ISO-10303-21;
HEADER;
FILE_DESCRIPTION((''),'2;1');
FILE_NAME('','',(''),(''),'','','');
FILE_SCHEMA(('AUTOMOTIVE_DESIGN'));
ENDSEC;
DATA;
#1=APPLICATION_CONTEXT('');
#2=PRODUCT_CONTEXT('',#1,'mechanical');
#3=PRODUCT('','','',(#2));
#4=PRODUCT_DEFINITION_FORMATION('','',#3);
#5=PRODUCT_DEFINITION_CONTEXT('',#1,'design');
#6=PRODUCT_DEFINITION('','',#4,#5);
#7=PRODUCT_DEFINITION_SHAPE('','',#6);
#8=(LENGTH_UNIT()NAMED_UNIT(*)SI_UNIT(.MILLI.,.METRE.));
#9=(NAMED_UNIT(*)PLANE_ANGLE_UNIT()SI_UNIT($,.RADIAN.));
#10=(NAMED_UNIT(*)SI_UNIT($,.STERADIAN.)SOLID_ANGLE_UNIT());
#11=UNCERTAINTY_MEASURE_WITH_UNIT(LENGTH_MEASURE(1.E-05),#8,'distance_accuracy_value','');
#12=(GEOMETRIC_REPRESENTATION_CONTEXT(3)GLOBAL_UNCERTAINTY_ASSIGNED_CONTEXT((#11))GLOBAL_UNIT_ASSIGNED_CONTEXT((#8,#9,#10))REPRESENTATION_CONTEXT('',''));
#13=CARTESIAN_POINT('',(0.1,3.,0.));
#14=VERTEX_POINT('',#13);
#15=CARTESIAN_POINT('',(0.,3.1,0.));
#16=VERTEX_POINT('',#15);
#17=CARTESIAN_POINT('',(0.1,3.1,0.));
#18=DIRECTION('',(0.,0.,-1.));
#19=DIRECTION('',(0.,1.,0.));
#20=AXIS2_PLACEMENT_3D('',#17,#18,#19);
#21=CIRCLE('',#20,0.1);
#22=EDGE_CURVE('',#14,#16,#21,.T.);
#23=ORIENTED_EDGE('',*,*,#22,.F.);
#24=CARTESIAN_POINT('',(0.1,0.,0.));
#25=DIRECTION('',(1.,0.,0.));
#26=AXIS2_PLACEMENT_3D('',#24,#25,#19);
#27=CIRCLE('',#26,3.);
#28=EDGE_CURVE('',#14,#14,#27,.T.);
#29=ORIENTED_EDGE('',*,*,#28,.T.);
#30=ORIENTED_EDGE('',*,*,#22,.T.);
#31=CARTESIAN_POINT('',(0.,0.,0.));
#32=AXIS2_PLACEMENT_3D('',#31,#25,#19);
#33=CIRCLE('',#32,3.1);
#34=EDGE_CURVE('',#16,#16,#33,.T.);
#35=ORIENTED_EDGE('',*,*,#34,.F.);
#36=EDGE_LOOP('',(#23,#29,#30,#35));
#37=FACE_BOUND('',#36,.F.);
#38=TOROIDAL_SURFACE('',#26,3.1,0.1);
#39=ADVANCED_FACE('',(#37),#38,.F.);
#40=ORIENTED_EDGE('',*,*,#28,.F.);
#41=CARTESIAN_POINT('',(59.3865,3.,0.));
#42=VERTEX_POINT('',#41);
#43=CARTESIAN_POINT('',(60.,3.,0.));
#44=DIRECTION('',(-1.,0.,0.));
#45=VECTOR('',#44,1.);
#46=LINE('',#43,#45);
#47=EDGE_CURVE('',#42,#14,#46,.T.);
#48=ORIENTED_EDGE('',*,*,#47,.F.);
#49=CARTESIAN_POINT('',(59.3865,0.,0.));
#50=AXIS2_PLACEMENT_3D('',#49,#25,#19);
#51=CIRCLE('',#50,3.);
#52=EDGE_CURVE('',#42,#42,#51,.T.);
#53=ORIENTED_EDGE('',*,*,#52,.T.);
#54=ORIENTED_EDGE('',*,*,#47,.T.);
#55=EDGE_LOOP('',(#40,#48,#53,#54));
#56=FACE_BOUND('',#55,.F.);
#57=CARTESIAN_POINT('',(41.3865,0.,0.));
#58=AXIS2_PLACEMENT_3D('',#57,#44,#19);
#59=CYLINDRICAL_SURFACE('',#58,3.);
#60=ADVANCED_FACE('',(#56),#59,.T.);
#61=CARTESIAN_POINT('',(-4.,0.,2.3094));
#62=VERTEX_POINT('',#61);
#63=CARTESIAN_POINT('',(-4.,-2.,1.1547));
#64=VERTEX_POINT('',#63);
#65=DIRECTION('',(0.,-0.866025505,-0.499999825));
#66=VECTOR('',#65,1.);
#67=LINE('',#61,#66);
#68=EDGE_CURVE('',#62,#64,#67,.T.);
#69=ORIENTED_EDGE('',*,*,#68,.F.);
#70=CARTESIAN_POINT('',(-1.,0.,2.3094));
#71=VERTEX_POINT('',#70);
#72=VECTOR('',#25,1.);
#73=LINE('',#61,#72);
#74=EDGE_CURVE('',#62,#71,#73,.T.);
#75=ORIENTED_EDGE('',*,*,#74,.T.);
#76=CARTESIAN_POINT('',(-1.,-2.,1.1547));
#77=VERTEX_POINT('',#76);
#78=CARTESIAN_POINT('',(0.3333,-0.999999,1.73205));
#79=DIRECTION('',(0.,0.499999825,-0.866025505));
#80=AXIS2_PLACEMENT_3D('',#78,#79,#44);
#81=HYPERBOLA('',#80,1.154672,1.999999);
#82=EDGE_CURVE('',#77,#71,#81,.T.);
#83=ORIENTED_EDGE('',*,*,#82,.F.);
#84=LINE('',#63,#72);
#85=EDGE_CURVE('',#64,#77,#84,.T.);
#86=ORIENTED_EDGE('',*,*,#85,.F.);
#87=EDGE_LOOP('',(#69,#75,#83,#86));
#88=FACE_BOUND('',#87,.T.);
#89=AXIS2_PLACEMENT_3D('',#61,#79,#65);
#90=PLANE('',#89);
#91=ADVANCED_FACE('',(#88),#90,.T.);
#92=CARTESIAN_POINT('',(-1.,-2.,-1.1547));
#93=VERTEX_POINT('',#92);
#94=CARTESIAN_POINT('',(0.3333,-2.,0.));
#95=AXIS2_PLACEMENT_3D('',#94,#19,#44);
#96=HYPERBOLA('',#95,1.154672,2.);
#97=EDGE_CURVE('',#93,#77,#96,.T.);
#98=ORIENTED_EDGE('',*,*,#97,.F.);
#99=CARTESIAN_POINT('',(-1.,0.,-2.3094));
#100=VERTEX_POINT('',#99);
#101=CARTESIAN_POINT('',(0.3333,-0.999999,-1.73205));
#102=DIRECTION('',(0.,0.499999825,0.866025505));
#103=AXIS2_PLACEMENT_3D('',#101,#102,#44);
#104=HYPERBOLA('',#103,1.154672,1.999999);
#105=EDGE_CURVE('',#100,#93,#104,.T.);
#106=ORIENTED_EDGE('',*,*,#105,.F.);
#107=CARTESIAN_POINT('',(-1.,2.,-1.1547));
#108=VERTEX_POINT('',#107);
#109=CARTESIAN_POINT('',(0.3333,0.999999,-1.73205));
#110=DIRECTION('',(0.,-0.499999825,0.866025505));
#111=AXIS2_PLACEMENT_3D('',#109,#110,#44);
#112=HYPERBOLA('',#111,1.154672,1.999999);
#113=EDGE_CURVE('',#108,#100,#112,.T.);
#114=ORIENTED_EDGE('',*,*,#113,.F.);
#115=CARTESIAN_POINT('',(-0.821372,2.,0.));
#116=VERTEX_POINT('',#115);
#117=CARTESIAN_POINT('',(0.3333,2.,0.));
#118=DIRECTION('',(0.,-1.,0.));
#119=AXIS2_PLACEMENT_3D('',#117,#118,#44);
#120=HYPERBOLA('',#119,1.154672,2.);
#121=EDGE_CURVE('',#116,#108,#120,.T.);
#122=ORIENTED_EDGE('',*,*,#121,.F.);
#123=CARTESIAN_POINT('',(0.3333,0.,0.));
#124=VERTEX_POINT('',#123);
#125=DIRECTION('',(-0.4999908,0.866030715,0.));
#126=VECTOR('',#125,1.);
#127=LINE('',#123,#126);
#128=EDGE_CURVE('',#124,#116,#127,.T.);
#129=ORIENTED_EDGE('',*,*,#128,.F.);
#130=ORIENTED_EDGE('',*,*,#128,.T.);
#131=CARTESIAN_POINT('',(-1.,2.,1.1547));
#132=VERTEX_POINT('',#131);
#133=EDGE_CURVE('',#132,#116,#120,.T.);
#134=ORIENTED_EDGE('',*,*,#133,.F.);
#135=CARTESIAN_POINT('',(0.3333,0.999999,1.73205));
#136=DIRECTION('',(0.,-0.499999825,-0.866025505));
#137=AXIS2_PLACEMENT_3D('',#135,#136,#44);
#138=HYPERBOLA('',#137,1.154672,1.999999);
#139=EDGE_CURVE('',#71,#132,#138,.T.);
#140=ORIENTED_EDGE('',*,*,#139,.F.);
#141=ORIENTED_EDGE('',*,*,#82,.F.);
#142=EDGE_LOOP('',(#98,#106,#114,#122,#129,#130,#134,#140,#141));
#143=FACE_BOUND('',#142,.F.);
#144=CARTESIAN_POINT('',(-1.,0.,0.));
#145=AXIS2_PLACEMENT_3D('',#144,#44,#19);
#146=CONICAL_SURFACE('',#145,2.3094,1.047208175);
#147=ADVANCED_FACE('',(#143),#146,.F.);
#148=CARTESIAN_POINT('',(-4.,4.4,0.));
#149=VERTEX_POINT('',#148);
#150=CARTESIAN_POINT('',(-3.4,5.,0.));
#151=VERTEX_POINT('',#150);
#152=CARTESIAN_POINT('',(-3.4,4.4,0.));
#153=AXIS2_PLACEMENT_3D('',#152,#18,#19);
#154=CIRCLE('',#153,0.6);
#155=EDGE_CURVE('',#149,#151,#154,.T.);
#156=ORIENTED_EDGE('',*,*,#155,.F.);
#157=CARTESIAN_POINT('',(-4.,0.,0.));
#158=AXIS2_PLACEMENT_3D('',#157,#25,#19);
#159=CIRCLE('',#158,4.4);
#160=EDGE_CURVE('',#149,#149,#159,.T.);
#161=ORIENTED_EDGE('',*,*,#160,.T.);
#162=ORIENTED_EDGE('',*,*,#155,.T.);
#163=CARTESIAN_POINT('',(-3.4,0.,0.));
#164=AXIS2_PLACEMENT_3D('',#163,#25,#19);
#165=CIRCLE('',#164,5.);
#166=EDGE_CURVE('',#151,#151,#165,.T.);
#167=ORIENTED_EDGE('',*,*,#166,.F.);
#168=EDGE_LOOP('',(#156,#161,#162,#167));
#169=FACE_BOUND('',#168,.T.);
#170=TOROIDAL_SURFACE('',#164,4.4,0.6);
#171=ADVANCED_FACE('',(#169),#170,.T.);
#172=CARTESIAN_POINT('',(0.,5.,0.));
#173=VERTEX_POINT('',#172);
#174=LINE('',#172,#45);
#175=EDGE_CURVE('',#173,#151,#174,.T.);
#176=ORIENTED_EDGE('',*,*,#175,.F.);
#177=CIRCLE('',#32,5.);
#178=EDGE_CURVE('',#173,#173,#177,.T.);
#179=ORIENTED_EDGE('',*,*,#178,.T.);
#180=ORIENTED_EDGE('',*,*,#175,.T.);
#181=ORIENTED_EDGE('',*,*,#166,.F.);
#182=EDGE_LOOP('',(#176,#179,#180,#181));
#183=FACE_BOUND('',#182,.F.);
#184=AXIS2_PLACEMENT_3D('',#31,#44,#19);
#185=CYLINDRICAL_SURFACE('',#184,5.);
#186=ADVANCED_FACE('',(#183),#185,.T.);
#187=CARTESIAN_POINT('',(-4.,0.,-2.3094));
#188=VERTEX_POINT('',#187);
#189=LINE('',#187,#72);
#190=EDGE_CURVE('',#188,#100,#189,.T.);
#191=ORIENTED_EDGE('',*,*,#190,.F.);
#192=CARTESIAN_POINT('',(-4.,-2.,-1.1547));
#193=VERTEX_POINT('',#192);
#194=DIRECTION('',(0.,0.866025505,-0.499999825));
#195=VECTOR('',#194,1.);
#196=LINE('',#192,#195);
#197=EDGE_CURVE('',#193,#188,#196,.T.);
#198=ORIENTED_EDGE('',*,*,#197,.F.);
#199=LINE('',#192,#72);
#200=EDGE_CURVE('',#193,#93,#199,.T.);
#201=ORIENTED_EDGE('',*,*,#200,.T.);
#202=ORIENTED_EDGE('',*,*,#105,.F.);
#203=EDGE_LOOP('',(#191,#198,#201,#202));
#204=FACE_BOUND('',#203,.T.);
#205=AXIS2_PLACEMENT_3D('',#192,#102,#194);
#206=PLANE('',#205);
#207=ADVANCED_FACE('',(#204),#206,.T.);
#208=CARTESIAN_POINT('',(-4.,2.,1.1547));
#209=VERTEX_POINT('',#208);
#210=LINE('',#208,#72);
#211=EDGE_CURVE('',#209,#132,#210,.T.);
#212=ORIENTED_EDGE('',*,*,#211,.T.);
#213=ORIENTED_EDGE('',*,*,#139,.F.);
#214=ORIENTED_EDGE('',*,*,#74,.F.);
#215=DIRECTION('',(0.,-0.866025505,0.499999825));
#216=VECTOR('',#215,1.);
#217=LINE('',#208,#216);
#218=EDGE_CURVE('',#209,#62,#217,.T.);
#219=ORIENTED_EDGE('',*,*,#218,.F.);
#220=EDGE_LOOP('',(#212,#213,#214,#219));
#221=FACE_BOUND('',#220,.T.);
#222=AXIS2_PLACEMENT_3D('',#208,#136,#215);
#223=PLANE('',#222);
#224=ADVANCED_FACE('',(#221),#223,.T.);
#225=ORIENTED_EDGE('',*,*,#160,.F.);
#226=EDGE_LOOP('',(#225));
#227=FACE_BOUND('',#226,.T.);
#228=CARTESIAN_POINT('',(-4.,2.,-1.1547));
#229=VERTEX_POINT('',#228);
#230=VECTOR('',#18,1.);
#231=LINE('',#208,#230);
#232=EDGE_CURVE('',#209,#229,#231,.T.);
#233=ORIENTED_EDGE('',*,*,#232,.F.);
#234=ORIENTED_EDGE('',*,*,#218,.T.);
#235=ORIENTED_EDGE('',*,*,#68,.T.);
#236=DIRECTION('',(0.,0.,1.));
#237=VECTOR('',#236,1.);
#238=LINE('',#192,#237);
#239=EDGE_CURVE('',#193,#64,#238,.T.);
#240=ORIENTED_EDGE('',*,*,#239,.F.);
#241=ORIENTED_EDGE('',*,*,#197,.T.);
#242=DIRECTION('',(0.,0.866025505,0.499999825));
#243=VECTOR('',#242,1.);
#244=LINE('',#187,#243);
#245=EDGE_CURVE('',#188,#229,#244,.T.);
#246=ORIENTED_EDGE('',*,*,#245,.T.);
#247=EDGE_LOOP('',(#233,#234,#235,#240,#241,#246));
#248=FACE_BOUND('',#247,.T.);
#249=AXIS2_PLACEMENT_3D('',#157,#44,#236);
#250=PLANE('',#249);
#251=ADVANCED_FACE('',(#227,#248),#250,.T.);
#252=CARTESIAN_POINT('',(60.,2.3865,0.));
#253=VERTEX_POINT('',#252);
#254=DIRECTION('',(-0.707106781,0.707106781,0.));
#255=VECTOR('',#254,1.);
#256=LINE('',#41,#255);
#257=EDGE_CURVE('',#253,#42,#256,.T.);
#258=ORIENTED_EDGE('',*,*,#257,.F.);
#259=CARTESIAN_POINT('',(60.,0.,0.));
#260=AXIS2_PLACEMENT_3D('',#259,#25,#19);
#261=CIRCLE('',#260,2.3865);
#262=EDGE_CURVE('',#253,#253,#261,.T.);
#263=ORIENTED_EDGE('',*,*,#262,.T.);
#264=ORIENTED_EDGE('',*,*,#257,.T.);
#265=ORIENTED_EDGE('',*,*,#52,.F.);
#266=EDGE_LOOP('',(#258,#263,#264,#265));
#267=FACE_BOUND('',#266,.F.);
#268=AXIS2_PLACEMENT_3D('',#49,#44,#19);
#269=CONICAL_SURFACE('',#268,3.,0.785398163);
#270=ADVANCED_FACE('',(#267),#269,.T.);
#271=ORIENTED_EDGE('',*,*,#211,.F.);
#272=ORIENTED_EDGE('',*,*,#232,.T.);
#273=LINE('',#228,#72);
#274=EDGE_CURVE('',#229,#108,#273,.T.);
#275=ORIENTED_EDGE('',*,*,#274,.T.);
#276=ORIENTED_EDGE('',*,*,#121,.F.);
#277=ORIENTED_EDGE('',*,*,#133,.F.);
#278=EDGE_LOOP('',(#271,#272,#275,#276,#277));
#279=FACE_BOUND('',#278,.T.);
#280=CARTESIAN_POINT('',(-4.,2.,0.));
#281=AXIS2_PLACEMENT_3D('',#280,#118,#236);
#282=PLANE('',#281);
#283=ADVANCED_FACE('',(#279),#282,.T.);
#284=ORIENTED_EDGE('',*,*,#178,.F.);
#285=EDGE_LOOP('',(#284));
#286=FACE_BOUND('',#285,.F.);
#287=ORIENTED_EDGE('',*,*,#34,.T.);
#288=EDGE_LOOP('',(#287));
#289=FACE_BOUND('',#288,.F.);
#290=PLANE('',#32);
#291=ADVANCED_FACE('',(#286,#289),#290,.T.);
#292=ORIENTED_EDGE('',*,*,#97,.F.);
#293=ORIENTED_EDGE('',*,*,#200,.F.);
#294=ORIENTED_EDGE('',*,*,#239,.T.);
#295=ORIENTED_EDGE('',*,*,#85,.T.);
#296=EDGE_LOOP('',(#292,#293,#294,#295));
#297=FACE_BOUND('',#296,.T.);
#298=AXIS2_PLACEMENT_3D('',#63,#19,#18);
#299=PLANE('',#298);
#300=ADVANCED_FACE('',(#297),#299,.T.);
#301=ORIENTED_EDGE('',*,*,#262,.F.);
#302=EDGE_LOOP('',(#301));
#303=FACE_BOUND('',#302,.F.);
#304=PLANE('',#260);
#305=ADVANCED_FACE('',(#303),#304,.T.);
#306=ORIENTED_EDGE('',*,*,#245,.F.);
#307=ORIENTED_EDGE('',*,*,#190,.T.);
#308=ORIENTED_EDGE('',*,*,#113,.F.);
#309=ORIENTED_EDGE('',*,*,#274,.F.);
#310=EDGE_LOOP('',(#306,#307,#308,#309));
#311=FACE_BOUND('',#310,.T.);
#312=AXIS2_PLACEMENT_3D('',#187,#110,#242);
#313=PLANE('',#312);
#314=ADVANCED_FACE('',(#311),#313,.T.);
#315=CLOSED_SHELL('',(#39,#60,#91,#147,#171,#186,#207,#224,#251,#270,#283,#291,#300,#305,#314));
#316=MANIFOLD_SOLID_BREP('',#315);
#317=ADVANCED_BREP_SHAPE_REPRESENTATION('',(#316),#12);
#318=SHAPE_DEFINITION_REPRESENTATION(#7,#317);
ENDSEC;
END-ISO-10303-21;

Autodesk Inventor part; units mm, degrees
ref_plane "YZ Plane" through (0, 0, 0) normal (1, 0, 0) x (0, 1, 0)
ref_plane "XZ Plane" through (0, 0, 0) normal (0, 1, 0) x (-1, 0, 0)
sketch "Sketch1" plane through (0, 0, 0) normal (0, 0, 1) x (1, 0, 0)
  line L0 (0.3333, 0) -> (60, 0)
  line L1 (60, 0) -> (60, 3)
  line L2 (60, 3) -> (42, 3)
  line L3 (42, 3) -> (41.3865, 3)
  line L4 (41.3865, 3) -> (0, 3)
  line L5 (0, 3) -> (0, 5)
  line L6 (0, 5) -> (-4, 5)
  line L7 (-4, 5) -> (-4, 2.3094)
  line L8 (-4, 2.3094) -> (-1, 2.3094)
  line L9 (-1, 2.3094) -> (0.3333, 0)
  line L10 (-15.8, 0) -> (66.8, 0) projected
  line L11 (0, -1) -> (0, 6) projected
  line L12 (42, 3) -> (0, 3) construction
  dimension "d1" = 18
  dimension "d2" = 0.6136
  dimension "d3" = 4
  dimension "d4" = 3
  dimension "d5" = 60
  dimension "d6" = 6
  dimension "d7" = 6
  dimension "d8" = 4.6188
  dimension "d9" = 10
  dimension "d26" = 60
revolve "Body" add sketch "Sketch1" angle 360 about axis through (0.3333, 0, 0) along (1, 0, 0) contours L9 L11 L4 L3 L2 L1 L0 | L9 L8 L7 L6 L5 L11
sketch "Sketch2" plane through (-4, 0, 0) normal (-1, 0, 0) x (0, 0, 1)
  circle A0 centre (0, 0) radius 2.3094 projected
  line L0 (0, -7) -> (0, 7) projected
  line L1 (-7, 0) -> (7, 0) projected
  line L2 (2.3094, 0) -> (1.1547, -2)
  line L3 (1.1547, -2) -> (-1.1547, -2)
  line L4 (-1.1547, -2) -> (-2.3094, 0)
  line L5 (-2.3094, 0) -> (-1.1547, 2)
  line L6 (-1.1547, 2) -> (1.1547, 2)
  line L7 (1.1547, 2) -> (2.3094, 0)
extrude "Slot" add sketch "Sketch2" against normal up to next contours L7 A0 | A0 L2 | L6 L0 A0 | A0 L0 L3 | L0 L6 A0 | A0 L3 L0 | L4 A0 | A0 L5
fillet "Fillet1" radius 0.6 1 edges at (-4, -5, 0)
thread "Thread" size "M6x1" class "6g" standard "ISO Metric profile" length 18
chamfer "Chamfer1" distance 0.6135 distance2 0.6135 1 edges at (60, -3, 0) measured on face at (60, 1.5134, 0.7943)
ref_plane "Work Plane1" through (29, 0, 0) normal (0, -1, 0) x (1, 0, 0)
fillet "Fillet2" radius 0.1 1 edges at (0, -3, 0)
equation "\"d1\" = GEL"
equation "\"d3\" = KOH"
equation "\"d4\" = INTI"
equation "\"d6\" = GD"
equation "\"d7\" = BDM"
equation "\"d8\" = 1.1547 * SW"
equation "\"d9\" = KOD"
equation "\"d26\" = NLG"
equation "\"d30\" = R"
equation "\"d17\" = RR"
equation "\"d13\" = GEL"
equation "\"d15\" = -0.5 * SPD + 0.5 * GD"
equation "\"d16\" = GUL"
equation "\"GD\" = NND"
equation "\"NLG\" = 60"
equation "\"GEL\" = 18"
equation "\"KOD\" = 10"
equation "\"KOH\" = 4"
equation "\"INTI\" = 3"
equation "\"GAL\" = 0.61345 * PTC"
equation "\"GUL\" = 0.61345 * PTC"
equation "\"BDM\" = NND"
equation "\"SW\" = 4"
equation "\"RR\" = 0.6"
equation "\"SPD\" = NND - 1.2269 * PTC"
equation "\"R\" = 0.1"
equation "\"TOA\" = 30deg"
equation "\"GD1\" = THREADDIA - 1.2269 * PTC"
equation "\"THREADDIA\" = 6"
equation "\"FAWI\" = 45deg"
equation "\"ANG\" = 120deg"
equation "\"PTC\" = 1"
equation "\"NND\" = 6"
equation "\"E0\" = 1.155 * SW"
properties part number "DIN 7984 - M6 x 40" material "Steel, Mild"
